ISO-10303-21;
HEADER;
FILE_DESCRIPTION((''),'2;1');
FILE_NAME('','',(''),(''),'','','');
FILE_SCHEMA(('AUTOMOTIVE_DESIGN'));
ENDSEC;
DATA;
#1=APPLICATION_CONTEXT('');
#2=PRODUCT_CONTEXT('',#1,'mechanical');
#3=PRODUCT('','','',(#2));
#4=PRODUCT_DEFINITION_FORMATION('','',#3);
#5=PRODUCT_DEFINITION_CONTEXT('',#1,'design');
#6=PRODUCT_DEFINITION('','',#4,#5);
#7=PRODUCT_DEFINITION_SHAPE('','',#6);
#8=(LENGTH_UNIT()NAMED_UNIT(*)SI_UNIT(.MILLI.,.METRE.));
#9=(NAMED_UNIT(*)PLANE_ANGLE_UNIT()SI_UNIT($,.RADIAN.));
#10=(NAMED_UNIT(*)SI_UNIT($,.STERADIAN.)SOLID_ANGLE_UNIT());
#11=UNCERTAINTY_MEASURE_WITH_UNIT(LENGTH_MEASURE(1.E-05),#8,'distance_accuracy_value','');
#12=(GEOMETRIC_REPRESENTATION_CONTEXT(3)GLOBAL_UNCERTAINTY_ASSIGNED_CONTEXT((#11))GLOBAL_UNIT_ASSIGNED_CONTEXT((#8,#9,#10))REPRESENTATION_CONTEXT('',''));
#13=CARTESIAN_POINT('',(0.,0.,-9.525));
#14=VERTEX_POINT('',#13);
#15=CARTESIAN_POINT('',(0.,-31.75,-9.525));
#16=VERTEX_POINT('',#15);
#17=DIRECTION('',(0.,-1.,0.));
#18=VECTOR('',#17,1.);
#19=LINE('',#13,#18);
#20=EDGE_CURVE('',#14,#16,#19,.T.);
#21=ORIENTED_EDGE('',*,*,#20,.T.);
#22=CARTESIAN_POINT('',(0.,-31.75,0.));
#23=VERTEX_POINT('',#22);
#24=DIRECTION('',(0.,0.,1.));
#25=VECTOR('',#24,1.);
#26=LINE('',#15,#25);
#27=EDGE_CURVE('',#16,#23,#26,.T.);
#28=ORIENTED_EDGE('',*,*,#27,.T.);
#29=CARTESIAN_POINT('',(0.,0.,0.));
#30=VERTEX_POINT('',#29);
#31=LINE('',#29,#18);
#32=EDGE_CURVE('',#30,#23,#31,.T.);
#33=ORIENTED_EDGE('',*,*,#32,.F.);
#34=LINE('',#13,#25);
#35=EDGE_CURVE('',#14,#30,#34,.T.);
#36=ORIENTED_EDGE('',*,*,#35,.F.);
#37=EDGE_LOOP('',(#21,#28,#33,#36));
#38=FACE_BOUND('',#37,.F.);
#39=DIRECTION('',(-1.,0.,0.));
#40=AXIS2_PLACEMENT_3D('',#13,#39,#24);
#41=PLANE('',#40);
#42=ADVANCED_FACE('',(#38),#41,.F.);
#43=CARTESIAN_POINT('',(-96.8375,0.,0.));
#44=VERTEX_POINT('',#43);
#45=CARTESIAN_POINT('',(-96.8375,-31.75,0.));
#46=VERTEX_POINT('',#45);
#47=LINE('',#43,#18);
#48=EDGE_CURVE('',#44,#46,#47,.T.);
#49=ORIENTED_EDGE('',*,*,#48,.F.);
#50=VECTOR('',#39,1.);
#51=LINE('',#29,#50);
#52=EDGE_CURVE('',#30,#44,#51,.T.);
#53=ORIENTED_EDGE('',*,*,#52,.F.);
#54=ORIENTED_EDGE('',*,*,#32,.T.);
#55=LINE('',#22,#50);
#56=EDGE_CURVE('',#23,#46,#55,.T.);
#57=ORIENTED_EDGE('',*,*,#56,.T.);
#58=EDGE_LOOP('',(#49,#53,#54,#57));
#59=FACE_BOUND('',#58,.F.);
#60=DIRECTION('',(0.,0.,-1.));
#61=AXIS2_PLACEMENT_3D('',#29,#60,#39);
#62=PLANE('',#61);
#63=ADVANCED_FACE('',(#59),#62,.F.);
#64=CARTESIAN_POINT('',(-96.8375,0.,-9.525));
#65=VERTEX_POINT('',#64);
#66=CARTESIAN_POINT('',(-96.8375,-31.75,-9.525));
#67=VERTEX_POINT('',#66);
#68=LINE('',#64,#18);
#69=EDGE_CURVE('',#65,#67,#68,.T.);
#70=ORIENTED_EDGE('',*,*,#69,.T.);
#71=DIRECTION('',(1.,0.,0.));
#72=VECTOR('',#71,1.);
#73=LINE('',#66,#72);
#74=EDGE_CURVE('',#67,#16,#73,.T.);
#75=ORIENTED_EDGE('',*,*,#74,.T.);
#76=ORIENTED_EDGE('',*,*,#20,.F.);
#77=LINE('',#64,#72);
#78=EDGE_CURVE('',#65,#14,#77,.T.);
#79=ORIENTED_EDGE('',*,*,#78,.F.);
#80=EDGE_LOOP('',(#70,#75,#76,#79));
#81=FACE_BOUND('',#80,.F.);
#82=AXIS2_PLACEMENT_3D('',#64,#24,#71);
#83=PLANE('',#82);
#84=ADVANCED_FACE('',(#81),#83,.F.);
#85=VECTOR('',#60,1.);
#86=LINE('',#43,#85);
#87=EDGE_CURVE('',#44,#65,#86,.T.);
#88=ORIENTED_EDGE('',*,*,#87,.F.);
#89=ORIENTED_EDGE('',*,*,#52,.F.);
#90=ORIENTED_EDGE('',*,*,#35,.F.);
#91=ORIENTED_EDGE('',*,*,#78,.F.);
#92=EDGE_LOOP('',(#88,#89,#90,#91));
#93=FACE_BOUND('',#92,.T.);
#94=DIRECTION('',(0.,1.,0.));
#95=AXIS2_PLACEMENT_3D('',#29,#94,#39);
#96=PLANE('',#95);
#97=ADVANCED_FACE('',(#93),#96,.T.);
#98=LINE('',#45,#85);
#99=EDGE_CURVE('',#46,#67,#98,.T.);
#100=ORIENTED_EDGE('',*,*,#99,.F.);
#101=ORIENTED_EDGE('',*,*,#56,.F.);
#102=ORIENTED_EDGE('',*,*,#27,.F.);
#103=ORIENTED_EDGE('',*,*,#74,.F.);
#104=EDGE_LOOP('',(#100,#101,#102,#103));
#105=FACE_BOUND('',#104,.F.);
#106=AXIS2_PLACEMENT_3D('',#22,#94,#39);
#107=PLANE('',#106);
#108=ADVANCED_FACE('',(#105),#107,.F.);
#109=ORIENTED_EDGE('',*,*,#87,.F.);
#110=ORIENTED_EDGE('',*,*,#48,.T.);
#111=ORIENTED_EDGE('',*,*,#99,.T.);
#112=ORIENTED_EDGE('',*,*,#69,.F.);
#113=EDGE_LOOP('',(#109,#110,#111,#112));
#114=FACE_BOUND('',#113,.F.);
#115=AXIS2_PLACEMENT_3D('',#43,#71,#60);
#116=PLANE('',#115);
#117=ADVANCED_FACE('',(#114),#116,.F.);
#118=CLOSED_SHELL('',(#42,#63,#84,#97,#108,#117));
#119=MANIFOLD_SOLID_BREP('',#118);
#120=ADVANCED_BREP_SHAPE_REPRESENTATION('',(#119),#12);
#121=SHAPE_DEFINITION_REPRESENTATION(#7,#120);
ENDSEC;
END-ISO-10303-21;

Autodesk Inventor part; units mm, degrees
ref_plane "YZ Plane" through (0, 0, 0) normal (1, 0, 0) x (0, 1, 0)
ref_plane "XZ Plane" through (0, 0, 0) normal (0, 1, 0) x (-1, 0, 0)
ref_plane "XY Plane" through (0, 0, 0) normal (0, 0, 1) x (1, 0, 0)
sketch "Sketch1" plane through (0, 0, 0) normal (0, 1, 0) x (-1, 0, 0)
  line L0 (0, 0) -> (96.8375, 0)
  line L1 (96.8375, 0) -> (96.8375, -9.525)
  line L2 (96.8375, -9.525) -> (0, -9.525)
  line L3 (0, -9.525) -> (0, 0)
  dimension "d0" = 9.525
  dimension "d1" = 96.8375
extrude "Extrusion1" add sketch "Sketch1" against normal blind 31.75
properties part number "Key--Black--Thirty-Second_Shorter_and_Closer_to_Actual"
